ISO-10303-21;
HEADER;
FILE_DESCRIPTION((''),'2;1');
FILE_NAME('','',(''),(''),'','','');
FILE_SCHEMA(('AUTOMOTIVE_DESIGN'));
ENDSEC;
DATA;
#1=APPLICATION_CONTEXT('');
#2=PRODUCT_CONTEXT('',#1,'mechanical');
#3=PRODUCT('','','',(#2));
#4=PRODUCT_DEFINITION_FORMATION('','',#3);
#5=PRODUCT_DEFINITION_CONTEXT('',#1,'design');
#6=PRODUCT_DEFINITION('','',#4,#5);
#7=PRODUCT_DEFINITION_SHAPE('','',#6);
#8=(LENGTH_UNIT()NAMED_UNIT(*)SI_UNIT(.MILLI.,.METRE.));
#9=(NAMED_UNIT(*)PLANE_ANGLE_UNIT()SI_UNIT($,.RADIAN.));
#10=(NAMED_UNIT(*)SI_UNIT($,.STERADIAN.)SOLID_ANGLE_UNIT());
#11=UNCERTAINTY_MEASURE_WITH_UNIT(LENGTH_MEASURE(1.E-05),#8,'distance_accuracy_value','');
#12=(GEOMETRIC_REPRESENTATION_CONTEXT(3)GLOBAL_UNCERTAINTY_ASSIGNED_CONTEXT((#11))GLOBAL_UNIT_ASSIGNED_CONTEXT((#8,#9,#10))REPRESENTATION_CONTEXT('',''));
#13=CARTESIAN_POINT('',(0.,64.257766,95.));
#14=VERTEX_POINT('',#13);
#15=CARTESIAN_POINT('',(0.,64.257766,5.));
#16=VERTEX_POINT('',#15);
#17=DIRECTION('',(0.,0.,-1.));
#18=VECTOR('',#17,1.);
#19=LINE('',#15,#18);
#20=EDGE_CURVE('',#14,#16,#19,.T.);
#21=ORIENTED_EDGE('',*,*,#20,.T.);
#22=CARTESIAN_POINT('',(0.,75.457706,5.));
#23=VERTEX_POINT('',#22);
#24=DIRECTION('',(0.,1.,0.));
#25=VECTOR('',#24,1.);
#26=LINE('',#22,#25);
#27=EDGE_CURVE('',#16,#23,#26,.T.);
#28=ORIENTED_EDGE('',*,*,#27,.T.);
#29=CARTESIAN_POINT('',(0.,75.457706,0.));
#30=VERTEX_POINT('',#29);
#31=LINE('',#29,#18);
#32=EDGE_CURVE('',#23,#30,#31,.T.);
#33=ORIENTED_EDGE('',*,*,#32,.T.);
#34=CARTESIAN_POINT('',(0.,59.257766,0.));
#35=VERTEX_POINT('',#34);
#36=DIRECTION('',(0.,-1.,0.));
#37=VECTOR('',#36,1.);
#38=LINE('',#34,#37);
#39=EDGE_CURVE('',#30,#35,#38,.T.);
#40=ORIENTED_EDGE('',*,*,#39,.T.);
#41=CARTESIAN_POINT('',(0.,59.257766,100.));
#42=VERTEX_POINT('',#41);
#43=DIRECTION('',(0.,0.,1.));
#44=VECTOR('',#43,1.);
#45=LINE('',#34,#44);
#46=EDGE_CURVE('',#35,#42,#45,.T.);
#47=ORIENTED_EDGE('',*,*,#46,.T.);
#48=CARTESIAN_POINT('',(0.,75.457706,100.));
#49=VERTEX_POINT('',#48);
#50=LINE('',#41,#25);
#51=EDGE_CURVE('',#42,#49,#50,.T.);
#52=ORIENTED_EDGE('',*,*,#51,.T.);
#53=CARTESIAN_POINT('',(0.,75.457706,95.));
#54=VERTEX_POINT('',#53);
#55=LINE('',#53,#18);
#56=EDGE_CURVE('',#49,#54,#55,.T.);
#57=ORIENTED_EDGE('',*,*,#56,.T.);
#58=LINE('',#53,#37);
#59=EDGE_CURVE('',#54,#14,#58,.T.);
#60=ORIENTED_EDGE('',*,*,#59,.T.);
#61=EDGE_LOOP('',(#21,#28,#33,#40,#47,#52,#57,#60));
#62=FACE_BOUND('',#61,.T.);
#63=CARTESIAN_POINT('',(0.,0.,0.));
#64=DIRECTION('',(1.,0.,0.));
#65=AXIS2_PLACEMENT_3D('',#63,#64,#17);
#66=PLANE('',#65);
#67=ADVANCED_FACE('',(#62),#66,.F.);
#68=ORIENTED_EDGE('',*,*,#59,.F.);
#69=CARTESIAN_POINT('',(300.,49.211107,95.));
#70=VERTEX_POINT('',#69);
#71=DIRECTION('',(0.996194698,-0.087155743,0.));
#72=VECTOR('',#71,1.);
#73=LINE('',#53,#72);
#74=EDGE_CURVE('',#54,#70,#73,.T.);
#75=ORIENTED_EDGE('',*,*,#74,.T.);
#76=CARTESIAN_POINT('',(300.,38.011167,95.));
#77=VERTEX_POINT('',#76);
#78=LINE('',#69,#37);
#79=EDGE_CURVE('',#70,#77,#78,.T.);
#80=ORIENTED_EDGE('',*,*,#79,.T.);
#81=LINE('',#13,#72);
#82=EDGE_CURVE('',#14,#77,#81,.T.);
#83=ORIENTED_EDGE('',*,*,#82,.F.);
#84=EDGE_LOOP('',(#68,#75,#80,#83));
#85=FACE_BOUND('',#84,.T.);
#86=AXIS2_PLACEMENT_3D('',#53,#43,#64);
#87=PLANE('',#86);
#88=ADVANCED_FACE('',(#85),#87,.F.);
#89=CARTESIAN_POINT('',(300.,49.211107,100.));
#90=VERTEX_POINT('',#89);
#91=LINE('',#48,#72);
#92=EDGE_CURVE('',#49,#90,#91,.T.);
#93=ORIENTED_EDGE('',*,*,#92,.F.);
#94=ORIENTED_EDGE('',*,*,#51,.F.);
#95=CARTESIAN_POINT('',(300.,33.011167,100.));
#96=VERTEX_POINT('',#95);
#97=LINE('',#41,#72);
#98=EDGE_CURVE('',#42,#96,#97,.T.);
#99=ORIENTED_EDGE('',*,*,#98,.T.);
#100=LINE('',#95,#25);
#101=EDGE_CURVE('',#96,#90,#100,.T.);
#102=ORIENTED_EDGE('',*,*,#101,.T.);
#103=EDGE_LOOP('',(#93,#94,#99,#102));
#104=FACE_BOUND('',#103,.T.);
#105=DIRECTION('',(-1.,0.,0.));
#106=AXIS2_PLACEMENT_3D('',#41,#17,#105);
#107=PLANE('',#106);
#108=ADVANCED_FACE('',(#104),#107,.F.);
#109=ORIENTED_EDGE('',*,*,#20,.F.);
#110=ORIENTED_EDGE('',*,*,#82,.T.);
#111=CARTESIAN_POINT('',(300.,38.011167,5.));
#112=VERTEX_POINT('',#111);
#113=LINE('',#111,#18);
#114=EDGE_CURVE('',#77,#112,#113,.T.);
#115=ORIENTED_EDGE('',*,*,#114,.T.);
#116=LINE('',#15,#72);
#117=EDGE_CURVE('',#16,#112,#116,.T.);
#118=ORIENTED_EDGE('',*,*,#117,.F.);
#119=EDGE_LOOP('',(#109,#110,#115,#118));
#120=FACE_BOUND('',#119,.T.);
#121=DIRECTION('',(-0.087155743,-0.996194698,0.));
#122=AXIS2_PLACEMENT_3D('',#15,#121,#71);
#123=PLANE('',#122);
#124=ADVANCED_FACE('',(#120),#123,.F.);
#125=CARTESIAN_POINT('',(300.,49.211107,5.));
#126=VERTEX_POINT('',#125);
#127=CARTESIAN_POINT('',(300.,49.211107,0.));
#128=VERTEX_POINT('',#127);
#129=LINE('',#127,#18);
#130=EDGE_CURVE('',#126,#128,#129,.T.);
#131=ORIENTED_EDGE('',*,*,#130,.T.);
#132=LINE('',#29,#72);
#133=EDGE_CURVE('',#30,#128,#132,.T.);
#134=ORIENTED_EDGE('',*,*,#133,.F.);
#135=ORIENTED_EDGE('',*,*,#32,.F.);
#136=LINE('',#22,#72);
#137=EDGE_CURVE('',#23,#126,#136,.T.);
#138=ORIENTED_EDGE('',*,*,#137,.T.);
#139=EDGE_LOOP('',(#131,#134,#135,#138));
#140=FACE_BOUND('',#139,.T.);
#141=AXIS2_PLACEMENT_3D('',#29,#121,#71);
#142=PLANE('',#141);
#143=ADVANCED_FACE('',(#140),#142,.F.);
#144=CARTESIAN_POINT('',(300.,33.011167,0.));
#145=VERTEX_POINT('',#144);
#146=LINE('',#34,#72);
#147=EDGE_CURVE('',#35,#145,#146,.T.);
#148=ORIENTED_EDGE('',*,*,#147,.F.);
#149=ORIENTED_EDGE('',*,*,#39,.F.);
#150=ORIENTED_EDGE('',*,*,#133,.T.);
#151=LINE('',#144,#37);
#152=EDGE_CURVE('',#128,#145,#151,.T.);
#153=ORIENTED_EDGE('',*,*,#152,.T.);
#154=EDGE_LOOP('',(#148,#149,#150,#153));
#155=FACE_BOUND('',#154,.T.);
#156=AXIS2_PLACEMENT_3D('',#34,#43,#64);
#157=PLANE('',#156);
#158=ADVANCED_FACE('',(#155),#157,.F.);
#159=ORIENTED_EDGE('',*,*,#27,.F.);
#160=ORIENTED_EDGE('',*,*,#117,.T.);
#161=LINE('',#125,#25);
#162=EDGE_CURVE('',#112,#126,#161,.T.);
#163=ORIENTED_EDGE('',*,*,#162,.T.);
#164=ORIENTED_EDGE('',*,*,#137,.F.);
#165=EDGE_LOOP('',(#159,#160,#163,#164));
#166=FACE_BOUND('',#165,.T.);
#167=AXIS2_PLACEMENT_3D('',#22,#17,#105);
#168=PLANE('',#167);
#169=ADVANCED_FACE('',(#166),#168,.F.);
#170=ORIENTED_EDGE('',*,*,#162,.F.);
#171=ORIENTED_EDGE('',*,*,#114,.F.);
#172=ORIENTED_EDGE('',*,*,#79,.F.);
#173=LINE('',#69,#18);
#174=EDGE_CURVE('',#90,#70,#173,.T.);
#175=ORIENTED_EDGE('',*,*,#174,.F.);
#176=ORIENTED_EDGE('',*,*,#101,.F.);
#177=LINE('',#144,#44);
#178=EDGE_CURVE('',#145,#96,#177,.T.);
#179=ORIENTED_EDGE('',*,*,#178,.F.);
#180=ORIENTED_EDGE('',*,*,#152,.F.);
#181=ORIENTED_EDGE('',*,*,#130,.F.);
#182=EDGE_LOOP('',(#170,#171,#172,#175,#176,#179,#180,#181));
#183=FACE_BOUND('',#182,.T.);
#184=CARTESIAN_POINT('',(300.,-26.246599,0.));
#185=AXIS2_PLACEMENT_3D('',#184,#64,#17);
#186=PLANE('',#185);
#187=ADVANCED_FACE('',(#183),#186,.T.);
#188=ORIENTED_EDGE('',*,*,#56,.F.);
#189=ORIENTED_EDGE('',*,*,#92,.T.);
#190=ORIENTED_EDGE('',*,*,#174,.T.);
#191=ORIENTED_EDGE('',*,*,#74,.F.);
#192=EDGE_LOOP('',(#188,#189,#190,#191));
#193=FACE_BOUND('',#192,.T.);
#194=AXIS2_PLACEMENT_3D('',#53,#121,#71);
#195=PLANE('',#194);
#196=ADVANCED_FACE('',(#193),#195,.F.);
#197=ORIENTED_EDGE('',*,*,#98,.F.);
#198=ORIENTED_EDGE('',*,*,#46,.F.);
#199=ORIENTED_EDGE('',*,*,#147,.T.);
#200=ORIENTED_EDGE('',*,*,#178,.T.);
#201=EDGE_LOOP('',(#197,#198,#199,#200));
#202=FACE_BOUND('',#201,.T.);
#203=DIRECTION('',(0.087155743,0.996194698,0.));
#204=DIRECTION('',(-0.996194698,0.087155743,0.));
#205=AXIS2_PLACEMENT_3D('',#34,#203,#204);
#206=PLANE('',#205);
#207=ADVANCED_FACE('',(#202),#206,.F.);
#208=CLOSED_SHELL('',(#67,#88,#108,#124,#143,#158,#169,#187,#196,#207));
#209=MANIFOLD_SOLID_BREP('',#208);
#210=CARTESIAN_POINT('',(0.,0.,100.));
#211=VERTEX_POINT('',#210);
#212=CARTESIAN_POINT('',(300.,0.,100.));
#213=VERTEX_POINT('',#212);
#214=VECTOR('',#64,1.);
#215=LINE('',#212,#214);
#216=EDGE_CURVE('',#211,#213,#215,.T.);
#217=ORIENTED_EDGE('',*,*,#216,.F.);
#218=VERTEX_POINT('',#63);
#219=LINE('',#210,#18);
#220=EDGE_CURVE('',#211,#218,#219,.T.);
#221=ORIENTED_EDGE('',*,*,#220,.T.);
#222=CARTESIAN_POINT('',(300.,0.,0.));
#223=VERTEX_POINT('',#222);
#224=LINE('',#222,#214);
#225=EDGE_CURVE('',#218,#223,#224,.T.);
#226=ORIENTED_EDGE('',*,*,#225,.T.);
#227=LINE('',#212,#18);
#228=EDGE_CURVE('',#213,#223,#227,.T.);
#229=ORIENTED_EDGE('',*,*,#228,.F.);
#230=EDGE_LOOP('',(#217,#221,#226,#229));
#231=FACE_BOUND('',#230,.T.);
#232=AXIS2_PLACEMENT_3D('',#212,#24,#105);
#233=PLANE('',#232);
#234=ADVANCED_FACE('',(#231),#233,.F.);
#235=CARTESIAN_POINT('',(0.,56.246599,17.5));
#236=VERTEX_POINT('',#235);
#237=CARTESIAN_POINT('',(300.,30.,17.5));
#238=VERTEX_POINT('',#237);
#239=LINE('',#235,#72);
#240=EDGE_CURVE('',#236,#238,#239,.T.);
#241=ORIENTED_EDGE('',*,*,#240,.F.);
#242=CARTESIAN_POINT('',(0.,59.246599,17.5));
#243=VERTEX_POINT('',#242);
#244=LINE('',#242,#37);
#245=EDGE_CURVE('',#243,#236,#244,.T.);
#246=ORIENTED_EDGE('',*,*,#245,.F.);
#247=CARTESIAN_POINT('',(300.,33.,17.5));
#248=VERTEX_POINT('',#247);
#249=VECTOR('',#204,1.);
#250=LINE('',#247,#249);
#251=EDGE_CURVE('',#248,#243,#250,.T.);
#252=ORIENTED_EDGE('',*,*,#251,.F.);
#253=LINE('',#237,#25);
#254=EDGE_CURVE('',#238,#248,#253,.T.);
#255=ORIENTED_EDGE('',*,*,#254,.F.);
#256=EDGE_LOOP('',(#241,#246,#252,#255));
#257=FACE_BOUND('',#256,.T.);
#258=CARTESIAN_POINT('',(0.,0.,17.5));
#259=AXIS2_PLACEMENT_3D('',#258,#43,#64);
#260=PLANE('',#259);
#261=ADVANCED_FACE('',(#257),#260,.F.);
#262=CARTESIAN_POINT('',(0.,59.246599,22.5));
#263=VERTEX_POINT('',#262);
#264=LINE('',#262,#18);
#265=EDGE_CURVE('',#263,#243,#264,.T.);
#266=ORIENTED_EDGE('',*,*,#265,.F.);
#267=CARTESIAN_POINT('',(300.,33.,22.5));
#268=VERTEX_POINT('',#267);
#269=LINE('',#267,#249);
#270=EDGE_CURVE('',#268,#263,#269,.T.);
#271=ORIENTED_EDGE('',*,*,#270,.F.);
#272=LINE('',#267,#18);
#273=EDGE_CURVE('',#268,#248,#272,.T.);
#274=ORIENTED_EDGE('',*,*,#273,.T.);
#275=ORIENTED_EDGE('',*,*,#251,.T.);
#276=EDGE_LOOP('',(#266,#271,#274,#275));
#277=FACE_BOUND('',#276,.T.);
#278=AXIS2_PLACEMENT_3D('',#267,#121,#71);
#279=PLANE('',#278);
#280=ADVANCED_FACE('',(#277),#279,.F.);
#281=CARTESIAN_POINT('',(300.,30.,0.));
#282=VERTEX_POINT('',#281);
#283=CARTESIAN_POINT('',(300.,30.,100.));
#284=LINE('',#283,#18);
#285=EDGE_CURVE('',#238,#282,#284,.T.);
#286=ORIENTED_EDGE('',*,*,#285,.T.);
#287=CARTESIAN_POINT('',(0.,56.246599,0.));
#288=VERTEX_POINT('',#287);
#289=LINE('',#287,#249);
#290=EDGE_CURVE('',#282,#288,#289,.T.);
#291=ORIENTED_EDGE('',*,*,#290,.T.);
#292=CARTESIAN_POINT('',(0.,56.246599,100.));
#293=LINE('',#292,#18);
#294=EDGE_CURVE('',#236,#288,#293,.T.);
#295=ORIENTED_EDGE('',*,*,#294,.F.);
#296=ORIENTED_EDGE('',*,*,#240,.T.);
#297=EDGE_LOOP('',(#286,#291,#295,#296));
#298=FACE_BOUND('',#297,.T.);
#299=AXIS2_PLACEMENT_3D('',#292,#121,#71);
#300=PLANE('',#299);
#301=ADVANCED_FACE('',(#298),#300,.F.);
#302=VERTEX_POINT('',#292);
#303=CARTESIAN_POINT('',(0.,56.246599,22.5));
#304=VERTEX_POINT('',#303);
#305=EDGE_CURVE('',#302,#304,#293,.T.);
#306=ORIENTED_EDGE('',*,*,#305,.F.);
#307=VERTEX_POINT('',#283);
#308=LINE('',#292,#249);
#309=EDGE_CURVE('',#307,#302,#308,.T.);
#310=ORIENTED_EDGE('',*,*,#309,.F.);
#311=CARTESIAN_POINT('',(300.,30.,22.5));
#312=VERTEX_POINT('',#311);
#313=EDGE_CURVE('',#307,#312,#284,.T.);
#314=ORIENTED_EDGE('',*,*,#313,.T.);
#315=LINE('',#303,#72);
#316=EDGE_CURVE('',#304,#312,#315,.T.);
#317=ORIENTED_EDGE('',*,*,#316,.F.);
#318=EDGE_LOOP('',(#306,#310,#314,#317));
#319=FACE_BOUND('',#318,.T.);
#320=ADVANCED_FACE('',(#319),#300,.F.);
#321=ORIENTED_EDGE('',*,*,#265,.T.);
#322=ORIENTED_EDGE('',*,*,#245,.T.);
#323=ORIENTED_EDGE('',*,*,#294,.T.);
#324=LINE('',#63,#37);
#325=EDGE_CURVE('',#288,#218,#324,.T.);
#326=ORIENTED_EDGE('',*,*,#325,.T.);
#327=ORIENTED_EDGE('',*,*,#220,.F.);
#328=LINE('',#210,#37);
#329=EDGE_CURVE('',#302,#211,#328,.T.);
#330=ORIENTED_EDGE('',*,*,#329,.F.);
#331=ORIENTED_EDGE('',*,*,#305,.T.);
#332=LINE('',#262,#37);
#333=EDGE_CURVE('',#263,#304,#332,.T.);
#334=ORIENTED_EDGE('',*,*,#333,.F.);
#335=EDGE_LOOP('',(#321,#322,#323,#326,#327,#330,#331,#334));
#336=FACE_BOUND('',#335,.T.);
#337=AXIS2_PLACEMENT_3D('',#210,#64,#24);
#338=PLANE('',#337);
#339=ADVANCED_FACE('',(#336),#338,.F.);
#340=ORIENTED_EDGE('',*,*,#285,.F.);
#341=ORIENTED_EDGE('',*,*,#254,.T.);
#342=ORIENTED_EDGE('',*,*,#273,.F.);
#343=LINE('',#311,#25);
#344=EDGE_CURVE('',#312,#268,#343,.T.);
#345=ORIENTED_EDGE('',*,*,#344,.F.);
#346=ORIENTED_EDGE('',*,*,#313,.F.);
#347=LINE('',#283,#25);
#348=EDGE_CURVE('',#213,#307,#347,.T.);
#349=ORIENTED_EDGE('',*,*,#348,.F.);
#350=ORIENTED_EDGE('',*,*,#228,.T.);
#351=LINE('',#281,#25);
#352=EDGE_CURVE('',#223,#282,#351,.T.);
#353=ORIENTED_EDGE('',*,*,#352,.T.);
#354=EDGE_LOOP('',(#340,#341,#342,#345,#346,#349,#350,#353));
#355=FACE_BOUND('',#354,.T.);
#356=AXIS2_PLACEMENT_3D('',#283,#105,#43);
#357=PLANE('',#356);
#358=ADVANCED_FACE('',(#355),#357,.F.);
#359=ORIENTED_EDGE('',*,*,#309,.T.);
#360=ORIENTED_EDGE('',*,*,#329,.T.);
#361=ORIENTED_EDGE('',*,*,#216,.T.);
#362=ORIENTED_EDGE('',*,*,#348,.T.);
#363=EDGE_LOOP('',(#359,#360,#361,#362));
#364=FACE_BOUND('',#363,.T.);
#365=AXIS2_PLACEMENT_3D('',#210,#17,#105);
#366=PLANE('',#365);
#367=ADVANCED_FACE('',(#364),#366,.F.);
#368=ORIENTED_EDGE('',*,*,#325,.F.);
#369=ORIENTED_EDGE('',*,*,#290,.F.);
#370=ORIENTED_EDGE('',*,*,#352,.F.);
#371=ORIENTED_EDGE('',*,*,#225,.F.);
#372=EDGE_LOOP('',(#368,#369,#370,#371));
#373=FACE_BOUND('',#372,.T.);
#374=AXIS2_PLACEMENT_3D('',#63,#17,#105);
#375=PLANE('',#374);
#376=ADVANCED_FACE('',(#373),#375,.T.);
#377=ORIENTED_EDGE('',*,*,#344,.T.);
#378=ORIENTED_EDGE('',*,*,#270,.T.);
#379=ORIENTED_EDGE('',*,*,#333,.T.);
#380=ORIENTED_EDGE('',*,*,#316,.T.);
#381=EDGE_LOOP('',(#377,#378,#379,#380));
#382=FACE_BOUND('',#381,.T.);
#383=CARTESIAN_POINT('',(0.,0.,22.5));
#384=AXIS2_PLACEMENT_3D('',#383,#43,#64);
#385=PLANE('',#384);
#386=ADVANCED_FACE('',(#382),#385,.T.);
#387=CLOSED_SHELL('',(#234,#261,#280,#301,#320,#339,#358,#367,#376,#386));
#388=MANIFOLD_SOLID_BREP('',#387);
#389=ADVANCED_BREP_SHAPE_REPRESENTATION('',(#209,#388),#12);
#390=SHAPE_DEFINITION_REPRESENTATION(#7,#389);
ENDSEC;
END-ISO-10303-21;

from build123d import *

# Parameters (mm, degrees)
SALIENTE_EXTRUIR1_DEPTH = 100
SALIENTE_EXTRUIR2_DEPTH = 2.5


with BuildPart() as part:
    # Croquis1 → Saliente-Extruir1 (new body)
    with BuildSketch(Plane.XY):
        Polygon((0, 0), (0, 56.246599058), (300, 30), (300, 0), align=None)
    extrude(amount=SALIENTE_EXTRUIR1_DEPTH)

    # Croquis3 → Saliente-Extruir2 (add, symmetric)
    with BuildSketch(Plane.XY.offset(20)):
        Polygon((0, 56.246599058), (300, 30), (300, 33), (0, 59.246599058), align=None)
    extrude(amount=SALIENTE_EXTRUIR2_DEPTH, both=True)


with BuildPart() as body_2:
    # Barrer1: sweep along a path in Croquis4
    with BuildLine(Plane.XY.offset(20)) as barrer1_path:
        Line((0, 59.246599058), (300, 33))
    # Croquis5 → Barrer1 (sweep)
    with BuildSketch(Plane.ZY):
        Polygon((95, 75.457706055), (100, 75.457706055), (100, 59.25776596), (0, 59.25776596), (0, 75.457706055), (5, 75.457706055), (5, 64.25776596), (95, 64.25776596), align=None)
    sweep(path=barrer1_path.line)


solid = Compound([part.part, body_2.part])
